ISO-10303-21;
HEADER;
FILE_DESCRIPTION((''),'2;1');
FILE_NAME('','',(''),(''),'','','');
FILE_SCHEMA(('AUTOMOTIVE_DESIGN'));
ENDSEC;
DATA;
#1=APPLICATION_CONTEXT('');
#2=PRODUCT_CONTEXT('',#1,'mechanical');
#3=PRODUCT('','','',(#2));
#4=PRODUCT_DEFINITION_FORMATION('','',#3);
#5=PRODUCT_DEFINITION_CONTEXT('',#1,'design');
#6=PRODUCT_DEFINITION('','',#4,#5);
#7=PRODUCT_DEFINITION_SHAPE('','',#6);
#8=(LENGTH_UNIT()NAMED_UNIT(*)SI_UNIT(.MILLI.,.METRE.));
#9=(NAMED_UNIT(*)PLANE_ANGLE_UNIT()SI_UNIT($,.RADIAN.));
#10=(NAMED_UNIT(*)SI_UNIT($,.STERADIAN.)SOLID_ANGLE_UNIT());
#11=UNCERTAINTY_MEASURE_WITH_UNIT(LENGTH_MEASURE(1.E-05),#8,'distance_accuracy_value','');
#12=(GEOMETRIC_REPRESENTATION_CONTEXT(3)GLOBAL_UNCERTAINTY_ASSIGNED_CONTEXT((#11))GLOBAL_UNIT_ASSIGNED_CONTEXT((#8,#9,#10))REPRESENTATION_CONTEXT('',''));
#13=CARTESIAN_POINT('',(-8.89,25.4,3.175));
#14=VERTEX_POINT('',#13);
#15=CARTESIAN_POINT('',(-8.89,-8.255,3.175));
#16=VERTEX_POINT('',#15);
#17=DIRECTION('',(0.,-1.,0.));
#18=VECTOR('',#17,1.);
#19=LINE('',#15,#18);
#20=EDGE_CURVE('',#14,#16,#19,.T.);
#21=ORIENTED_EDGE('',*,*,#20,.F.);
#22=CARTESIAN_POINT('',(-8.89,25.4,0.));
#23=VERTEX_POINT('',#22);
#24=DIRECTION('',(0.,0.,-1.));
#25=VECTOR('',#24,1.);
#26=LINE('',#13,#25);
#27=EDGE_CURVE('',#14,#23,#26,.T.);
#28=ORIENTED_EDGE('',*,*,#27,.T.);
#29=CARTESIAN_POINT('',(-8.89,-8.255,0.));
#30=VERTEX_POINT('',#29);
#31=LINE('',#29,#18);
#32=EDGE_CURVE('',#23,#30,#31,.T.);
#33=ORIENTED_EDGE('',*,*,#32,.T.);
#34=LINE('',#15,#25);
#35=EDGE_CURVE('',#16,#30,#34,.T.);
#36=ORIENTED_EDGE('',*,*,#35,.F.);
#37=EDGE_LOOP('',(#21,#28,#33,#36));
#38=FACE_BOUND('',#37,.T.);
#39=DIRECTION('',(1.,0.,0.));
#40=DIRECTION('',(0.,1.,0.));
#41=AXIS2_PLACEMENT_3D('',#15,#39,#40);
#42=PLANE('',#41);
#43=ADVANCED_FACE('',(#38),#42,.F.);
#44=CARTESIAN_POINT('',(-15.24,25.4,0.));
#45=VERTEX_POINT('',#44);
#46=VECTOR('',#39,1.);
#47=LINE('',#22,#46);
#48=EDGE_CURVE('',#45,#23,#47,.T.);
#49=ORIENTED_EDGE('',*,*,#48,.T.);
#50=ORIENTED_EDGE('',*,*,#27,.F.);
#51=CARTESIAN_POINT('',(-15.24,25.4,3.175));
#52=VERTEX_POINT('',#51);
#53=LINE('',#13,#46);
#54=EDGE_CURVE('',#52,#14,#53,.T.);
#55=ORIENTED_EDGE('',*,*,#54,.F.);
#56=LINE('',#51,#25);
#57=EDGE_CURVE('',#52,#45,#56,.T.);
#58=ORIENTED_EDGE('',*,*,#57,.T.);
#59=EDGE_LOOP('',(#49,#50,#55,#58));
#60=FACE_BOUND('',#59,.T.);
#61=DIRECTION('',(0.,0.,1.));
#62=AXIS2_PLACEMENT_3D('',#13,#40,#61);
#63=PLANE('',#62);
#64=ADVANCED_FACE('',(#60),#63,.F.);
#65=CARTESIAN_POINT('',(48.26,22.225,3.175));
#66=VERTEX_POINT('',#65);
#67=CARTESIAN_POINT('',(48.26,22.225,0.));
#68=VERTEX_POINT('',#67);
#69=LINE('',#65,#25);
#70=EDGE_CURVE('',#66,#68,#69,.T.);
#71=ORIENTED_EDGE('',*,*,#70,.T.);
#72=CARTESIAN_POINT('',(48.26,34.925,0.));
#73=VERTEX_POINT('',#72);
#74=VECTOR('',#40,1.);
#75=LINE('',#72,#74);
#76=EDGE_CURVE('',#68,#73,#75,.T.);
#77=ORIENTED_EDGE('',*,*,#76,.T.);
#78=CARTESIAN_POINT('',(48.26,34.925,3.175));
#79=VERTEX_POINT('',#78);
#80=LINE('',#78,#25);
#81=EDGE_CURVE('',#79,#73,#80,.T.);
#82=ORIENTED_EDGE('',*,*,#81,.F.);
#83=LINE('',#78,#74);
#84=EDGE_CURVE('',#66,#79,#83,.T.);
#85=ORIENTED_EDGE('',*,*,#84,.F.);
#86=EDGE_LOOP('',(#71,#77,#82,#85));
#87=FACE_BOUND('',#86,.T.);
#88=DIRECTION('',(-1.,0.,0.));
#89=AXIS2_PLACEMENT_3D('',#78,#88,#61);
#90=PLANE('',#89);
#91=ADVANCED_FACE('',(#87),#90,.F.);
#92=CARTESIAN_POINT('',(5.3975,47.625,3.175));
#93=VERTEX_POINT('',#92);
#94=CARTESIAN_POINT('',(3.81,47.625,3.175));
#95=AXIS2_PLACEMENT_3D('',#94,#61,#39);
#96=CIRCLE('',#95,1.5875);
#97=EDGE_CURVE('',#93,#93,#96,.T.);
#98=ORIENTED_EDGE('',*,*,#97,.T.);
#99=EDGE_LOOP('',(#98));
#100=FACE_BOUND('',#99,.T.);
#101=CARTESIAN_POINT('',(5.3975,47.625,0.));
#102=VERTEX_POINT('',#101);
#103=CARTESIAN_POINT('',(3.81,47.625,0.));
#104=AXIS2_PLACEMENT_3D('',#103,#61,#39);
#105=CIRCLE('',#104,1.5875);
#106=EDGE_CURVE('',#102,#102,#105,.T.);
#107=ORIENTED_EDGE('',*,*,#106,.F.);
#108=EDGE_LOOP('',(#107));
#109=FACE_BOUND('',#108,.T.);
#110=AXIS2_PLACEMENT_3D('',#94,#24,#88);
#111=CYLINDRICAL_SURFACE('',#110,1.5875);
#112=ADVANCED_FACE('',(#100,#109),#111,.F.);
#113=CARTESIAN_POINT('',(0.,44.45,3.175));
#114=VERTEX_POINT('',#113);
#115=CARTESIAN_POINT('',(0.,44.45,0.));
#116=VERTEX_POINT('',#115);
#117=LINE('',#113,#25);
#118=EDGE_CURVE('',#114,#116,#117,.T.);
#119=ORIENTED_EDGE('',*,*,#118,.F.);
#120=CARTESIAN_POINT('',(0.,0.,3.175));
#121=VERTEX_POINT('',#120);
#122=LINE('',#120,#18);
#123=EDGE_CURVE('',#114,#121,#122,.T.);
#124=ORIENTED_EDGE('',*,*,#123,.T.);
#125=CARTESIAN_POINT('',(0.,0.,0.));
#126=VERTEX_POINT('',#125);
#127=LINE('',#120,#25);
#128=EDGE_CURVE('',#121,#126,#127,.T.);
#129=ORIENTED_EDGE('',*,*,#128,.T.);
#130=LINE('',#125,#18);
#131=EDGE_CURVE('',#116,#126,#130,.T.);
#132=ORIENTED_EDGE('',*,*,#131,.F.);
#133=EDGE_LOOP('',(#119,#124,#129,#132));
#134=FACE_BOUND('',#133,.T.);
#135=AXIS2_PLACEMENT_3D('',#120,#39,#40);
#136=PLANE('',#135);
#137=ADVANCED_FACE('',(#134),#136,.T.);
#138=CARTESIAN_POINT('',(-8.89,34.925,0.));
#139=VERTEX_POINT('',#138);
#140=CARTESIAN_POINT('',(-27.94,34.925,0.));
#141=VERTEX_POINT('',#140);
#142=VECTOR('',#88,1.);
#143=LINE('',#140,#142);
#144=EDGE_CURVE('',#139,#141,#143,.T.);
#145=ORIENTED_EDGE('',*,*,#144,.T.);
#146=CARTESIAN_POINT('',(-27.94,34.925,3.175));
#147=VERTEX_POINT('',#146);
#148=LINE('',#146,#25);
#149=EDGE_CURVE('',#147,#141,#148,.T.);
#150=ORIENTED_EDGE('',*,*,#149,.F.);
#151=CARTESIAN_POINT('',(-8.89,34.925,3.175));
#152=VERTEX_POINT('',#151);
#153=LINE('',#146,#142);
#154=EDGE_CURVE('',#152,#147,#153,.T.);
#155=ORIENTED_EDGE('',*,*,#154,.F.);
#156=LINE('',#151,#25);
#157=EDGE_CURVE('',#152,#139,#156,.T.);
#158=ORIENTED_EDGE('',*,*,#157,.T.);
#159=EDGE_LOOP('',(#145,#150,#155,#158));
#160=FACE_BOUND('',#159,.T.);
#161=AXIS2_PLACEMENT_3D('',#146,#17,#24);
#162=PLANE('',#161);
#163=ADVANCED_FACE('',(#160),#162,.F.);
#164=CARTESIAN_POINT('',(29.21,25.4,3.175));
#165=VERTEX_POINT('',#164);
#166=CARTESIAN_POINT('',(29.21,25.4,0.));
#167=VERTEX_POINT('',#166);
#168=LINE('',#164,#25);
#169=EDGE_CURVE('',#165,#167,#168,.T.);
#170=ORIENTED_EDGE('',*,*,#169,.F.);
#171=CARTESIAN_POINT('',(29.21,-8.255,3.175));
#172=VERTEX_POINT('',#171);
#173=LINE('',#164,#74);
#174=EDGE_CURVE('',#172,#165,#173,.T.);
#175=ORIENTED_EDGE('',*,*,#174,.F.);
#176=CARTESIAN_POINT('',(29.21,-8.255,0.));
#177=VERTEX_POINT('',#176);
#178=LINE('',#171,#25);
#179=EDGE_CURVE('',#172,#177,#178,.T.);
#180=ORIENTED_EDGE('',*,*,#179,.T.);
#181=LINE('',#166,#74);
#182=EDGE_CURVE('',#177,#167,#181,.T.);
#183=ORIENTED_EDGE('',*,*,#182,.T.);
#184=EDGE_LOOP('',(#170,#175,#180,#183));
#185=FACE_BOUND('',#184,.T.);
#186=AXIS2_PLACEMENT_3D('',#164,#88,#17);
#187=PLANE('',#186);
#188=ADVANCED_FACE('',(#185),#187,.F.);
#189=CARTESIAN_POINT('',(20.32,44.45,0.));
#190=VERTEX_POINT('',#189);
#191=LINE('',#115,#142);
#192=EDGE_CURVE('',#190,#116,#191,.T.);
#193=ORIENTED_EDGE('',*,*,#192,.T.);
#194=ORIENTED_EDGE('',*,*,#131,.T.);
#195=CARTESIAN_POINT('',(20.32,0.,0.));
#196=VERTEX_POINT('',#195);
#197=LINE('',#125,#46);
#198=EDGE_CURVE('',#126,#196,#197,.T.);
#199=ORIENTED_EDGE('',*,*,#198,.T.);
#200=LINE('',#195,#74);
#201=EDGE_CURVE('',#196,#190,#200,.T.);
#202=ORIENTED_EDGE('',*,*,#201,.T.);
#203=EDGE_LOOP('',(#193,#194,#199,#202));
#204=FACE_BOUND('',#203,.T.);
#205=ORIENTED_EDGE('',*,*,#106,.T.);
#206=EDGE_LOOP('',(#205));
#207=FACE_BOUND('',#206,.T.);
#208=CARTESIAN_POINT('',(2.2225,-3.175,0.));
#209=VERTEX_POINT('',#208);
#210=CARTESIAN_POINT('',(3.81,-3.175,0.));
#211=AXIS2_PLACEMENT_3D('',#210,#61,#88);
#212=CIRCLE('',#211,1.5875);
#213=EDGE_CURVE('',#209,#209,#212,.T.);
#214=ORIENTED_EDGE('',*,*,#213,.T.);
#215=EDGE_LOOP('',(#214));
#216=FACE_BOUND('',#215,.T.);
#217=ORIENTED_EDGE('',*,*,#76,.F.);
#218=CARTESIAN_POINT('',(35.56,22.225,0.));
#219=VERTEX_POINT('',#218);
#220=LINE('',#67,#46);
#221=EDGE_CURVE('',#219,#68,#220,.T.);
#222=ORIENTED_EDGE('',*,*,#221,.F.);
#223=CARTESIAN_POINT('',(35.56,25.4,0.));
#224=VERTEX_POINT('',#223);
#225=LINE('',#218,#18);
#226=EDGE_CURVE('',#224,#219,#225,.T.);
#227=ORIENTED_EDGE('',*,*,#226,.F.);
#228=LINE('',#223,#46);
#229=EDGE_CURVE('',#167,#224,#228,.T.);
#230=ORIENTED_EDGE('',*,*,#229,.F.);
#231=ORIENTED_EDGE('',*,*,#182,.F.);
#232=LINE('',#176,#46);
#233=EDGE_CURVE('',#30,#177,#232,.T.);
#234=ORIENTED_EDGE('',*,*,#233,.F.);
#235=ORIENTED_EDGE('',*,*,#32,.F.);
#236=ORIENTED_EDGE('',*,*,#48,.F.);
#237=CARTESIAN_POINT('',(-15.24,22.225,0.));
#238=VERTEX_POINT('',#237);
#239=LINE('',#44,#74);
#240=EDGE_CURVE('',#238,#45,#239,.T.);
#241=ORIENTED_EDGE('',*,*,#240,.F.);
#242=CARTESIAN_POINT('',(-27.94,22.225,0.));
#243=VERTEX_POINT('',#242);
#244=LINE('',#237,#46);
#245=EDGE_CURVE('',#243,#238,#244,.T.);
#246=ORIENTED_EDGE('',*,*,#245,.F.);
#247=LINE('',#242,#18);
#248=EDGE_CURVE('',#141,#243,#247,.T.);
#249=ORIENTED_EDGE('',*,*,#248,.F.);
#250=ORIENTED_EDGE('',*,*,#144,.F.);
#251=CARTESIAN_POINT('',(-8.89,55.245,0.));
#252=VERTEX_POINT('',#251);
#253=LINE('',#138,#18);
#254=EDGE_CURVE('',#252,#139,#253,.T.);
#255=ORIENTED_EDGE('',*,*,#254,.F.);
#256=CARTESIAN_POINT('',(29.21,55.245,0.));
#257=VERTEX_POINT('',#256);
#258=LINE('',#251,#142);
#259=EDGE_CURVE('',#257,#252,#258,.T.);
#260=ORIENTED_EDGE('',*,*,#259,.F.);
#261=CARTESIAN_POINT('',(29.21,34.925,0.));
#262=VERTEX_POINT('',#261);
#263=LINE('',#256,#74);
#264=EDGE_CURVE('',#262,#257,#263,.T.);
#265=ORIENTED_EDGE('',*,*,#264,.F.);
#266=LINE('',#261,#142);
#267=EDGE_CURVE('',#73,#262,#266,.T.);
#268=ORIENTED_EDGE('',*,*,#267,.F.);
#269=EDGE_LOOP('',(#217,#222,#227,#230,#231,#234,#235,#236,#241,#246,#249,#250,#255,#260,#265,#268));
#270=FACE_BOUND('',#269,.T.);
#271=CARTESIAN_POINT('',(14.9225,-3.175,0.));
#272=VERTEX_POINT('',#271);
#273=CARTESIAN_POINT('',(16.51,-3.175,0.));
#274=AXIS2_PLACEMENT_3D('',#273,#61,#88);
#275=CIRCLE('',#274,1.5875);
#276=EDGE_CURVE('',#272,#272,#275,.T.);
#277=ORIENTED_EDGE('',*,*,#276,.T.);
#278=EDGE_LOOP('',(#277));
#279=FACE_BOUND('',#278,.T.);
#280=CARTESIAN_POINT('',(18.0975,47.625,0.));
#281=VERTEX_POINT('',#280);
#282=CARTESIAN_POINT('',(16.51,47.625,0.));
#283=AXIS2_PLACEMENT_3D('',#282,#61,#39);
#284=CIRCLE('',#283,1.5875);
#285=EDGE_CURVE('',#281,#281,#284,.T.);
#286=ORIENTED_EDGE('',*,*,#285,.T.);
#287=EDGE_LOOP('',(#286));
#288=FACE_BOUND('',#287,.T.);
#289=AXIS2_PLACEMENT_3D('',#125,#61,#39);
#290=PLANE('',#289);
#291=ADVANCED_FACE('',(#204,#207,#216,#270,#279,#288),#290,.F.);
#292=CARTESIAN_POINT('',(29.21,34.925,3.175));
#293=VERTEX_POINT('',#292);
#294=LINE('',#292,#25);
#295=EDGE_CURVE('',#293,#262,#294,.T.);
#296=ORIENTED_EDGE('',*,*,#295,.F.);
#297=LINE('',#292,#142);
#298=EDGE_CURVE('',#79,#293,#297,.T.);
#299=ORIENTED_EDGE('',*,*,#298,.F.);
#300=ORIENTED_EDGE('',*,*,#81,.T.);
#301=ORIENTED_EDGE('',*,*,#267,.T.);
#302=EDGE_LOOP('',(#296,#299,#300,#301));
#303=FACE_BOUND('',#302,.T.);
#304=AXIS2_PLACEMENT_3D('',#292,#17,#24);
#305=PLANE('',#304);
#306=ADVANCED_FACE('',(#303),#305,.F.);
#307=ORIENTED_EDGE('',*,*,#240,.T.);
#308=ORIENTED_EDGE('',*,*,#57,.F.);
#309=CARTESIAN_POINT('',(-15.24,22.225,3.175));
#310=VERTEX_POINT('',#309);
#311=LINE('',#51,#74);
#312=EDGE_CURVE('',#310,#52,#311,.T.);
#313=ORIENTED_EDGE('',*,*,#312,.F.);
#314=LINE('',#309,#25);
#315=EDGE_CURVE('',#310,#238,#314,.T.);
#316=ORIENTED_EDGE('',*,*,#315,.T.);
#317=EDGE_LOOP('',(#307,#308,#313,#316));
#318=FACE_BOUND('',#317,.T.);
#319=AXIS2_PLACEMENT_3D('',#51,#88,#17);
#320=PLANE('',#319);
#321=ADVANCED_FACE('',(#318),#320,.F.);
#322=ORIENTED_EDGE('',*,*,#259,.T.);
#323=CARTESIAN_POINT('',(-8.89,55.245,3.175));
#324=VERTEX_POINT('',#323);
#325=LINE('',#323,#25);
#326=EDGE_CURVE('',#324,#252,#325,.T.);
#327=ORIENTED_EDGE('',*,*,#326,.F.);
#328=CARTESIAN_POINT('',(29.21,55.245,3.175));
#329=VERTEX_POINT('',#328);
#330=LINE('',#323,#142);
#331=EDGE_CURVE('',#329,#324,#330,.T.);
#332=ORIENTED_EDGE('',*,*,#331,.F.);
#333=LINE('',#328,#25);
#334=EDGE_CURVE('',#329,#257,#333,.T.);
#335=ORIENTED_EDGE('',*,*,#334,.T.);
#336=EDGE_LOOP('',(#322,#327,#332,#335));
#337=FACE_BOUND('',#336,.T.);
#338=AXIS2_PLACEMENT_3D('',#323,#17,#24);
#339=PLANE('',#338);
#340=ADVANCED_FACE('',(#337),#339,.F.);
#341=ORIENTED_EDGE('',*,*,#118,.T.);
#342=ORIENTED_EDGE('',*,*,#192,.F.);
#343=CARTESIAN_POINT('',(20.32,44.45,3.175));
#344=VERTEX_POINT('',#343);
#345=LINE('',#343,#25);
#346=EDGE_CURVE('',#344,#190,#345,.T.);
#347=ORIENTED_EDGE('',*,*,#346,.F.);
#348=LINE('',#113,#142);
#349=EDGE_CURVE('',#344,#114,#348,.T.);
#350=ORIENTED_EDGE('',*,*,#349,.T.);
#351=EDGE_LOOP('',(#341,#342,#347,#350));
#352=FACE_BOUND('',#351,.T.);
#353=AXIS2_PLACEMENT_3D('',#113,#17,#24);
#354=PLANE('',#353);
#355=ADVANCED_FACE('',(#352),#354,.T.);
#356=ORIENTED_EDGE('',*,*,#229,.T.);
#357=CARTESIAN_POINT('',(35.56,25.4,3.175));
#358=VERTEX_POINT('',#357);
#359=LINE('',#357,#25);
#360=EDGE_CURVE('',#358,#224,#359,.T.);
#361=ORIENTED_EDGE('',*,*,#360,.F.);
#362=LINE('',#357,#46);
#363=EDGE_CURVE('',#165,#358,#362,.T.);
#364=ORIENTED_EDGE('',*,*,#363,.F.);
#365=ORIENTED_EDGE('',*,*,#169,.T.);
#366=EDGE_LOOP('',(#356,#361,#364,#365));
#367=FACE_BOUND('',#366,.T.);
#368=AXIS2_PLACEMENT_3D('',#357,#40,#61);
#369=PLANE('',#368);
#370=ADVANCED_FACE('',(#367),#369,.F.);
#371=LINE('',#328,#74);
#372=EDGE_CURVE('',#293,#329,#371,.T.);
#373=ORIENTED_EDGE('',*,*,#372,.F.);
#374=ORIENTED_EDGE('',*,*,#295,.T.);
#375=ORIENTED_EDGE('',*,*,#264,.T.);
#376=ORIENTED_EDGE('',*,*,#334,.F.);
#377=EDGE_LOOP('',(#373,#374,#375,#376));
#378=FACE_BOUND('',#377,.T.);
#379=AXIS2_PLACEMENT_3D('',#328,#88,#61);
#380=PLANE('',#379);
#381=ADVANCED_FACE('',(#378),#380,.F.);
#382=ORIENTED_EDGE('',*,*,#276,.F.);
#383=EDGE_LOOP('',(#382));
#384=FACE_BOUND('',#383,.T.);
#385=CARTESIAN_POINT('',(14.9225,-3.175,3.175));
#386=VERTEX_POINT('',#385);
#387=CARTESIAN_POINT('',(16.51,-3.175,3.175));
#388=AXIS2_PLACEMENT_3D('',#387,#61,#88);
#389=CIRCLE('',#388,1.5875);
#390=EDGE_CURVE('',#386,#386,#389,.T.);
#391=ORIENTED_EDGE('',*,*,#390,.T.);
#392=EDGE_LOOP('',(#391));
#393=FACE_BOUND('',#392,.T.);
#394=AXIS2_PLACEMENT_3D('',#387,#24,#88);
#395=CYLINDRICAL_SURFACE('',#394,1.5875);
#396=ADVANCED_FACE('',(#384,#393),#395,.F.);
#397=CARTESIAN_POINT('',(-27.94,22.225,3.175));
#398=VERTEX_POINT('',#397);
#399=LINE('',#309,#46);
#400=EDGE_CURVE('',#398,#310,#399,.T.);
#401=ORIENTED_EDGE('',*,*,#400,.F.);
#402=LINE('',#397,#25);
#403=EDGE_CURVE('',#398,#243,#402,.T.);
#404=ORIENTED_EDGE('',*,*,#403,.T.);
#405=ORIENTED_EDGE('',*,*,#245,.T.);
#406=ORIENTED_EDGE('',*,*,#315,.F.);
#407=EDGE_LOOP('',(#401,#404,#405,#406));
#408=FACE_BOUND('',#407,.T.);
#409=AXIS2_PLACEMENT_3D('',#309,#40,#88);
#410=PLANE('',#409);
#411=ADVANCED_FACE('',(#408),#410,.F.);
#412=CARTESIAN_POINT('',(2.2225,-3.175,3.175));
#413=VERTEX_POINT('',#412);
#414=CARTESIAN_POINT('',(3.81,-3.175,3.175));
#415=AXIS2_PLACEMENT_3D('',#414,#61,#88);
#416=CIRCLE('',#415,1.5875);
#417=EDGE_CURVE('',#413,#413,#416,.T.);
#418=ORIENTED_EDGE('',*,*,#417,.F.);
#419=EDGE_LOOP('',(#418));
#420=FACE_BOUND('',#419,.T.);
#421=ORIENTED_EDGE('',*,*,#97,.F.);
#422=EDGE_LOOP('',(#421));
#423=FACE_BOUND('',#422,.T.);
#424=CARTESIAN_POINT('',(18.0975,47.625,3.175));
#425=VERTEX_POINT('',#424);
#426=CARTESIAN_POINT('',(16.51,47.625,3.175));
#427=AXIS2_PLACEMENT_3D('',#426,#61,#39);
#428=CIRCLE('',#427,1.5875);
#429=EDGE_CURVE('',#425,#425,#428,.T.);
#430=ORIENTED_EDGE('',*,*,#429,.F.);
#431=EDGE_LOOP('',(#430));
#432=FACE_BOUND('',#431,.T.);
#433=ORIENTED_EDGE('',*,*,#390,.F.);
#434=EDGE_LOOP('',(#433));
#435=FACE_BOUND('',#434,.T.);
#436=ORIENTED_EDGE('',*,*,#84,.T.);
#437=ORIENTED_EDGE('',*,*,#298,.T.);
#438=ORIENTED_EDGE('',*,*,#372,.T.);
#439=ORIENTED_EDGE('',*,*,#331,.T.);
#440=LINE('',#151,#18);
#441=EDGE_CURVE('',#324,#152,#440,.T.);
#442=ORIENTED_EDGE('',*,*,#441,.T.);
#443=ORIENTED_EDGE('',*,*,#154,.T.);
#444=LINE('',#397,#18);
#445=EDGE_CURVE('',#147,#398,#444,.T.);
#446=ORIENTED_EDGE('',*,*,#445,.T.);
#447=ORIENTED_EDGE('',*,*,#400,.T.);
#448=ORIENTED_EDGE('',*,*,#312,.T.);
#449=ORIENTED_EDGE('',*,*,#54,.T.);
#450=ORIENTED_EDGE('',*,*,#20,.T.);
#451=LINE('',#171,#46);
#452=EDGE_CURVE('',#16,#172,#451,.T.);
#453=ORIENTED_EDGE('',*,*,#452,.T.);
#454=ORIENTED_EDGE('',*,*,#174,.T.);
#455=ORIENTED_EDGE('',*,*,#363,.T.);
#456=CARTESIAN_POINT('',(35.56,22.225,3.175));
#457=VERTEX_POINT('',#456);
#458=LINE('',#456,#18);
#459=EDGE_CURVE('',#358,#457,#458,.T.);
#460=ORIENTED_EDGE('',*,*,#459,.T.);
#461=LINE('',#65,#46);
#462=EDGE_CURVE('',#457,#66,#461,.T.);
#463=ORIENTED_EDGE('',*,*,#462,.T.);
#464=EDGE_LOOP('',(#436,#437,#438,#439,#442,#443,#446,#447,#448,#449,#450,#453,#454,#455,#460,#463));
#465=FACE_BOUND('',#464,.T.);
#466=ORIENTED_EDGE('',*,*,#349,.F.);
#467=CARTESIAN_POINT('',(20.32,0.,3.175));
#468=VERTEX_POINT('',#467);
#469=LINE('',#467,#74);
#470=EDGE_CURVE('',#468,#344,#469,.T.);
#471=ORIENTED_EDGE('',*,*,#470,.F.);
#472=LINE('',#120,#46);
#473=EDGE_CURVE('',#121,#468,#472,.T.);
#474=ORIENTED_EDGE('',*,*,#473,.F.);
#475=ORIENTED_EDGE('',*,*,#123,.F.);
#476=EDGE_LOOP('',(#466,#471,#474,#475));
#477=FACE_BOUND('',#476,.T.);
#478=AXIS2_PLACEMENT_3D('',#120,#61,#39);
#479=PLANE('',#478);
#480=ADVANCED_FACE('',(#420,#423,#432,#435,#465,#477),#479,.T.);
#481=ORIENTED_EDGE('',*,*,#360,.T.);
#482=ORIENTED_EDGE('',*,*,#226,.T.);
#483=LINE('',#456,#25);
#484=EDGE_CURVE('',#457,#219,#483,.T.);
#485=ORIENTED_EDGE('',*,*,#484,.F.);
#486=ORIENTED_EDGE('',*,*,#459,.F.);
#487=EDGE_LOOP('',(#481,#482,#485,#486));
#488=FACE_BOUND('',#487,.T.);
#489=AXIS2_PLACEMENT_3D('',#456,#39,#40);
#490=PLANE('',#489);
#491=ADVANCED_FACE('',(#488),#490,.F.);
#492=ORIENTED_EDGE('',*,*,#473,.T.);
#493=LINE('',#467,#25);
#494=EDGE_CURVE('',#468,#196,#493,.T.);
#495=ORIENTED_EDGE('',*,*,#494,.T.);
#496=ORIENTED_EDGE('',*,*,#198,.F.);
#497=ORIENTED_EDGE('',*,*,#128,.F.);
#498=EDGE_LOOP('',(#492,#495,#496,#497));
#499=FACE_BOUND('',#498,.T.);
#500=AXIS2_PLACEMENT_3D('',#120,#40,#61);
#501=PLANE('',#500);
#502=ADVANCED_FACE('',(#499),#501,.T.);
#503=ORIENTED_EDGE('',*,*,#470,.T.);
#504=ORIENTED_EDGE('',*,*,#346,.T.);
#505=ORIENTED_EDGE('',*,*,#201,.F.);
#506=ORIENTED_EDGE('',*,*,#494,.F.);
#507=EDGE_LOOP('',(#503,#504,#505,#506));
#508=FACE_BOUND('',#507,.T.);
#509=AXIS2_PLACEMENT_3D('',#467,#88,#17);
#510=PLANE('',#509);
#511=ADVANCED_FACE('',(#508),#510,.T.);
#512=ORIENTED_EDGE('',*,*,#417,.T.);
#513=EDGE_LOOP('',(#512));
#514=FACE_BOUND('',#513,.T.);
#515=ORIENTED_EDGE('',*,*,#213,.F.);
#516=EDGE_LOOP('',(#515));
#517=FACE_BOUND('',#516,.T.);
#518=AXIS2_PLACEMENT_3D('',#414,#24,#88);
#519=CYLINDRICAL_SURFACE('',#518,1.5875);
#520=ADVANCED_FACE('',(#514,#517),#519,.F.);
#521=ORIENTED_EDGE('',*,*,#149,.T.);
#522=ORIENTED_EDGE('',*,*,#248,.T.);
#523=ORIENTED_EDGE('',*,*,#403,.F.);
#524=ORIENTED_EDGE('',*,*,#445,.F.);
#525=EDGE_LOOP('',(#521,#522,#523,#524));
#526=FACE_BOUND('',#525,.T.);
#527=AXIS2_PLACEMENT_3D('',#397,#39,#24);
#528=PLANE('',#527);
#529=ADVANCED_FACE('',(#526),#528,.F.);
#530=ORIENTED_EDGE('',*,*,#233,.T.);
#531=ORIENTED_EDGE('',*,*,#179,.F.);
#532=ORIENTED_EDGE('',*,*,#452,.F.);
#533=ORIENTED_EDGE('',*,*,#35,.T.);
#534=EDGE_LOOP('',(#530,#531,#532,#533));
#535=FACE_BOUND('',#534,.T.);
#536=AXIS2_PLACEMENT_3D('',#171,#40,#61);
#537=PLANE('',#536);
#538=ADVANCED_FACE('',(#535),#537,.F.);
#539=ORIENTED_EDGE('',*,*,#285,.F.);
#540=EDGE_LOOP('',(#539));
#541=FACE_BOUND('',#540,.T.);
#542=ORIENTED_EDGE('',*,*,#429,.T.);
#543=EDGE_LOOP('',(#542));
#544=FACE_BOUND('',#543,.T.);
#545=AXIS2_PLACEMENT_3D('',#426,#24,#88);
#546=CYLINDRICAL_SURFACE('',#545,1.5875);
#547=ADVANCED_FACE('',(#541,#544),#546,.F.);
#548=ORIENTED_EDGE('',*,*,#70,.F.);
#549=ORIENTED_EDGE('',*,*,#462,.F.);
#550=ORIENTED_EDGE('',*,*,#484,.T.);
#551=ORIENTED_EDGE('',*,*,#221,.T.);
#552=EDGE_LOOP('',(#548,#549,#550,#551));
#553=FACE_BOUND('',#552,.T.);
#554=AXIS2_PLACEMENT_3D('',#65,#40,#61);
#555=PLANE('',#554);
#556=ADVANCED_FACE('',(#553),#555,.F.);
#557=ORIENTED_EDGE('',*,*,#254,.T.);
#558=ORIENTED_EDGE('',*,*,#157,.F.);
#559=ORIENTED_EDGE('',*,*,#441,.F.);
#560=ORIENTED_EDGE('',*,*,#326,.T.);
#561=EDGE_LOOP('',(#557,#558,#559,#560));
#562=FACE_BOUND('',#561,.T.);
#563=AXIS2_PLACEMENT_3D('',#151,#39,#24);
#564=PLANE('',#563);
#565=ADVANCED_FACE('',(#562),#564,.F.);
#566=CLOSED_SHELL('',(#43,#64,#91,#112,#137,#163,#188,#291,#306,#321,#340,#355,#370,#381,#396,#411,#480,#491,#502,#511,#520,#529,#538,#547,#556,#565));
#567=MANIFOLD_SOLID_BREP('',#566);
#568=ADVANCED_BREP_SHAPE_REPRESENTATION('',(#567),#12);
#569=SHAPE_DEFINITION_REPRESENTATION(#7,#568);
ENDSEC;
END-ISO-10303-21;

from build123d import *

# Parameters (mm, degrees)
SKETCH1_R           = 1.5875
SKETCH1_W           = 20.32
SKETCH1_H           = 44.45
BOSS_EXTRUDE1_DEPTH = 3.175


with BuildPart() as part:
    # Sketch1 → Boss-Extrude1 (new body)
    with BuildSketch(Plane.XY):
        Polygon((-8.89, 25.4), (-15.24, 25.4), (-15.24, 22.225), (-27.94, 22.225), (-27.94, 34.925), (-8.89, 34.925), (-8.89, 55.245), (29.21, 55.245), (29.21, 34.925), (48.26, 34.925), (48.26, 22.225), (35.56, 22.225), (35.56, 25.4), (29.21, 25.4), (29.21, -8.255), (-8.89, -8.255), align=None)
        with Locations((3.81, 47.625)):
            Circle(SKETCH1_R, mode=Mode.SUBTRACT)
        with Locations((16.51, 47.625)):
            Circle(SKETCH1_R, mode=Mode.SUBTRACT)
        with Locations(Location((16.51, -3.175, 0), (0, 0, 180))):
            Circle(SKETCH1_R, mode=Mode.SUBTRACT)
        with Locations(Location((3.81, -3.175, 0), (0, 0, 180))):
            Circle(SKETCH1_R, mode=Mode.SUBTRACT)
        with Locations((10.16, 22.225)):
            Rectangle(SKETCH1_W, SKETCH1_H, mode=Mode.SUBTRACT)
    extrude(amount=BOSS_EXTRUDE1_DEPTH)


solid = part.part
